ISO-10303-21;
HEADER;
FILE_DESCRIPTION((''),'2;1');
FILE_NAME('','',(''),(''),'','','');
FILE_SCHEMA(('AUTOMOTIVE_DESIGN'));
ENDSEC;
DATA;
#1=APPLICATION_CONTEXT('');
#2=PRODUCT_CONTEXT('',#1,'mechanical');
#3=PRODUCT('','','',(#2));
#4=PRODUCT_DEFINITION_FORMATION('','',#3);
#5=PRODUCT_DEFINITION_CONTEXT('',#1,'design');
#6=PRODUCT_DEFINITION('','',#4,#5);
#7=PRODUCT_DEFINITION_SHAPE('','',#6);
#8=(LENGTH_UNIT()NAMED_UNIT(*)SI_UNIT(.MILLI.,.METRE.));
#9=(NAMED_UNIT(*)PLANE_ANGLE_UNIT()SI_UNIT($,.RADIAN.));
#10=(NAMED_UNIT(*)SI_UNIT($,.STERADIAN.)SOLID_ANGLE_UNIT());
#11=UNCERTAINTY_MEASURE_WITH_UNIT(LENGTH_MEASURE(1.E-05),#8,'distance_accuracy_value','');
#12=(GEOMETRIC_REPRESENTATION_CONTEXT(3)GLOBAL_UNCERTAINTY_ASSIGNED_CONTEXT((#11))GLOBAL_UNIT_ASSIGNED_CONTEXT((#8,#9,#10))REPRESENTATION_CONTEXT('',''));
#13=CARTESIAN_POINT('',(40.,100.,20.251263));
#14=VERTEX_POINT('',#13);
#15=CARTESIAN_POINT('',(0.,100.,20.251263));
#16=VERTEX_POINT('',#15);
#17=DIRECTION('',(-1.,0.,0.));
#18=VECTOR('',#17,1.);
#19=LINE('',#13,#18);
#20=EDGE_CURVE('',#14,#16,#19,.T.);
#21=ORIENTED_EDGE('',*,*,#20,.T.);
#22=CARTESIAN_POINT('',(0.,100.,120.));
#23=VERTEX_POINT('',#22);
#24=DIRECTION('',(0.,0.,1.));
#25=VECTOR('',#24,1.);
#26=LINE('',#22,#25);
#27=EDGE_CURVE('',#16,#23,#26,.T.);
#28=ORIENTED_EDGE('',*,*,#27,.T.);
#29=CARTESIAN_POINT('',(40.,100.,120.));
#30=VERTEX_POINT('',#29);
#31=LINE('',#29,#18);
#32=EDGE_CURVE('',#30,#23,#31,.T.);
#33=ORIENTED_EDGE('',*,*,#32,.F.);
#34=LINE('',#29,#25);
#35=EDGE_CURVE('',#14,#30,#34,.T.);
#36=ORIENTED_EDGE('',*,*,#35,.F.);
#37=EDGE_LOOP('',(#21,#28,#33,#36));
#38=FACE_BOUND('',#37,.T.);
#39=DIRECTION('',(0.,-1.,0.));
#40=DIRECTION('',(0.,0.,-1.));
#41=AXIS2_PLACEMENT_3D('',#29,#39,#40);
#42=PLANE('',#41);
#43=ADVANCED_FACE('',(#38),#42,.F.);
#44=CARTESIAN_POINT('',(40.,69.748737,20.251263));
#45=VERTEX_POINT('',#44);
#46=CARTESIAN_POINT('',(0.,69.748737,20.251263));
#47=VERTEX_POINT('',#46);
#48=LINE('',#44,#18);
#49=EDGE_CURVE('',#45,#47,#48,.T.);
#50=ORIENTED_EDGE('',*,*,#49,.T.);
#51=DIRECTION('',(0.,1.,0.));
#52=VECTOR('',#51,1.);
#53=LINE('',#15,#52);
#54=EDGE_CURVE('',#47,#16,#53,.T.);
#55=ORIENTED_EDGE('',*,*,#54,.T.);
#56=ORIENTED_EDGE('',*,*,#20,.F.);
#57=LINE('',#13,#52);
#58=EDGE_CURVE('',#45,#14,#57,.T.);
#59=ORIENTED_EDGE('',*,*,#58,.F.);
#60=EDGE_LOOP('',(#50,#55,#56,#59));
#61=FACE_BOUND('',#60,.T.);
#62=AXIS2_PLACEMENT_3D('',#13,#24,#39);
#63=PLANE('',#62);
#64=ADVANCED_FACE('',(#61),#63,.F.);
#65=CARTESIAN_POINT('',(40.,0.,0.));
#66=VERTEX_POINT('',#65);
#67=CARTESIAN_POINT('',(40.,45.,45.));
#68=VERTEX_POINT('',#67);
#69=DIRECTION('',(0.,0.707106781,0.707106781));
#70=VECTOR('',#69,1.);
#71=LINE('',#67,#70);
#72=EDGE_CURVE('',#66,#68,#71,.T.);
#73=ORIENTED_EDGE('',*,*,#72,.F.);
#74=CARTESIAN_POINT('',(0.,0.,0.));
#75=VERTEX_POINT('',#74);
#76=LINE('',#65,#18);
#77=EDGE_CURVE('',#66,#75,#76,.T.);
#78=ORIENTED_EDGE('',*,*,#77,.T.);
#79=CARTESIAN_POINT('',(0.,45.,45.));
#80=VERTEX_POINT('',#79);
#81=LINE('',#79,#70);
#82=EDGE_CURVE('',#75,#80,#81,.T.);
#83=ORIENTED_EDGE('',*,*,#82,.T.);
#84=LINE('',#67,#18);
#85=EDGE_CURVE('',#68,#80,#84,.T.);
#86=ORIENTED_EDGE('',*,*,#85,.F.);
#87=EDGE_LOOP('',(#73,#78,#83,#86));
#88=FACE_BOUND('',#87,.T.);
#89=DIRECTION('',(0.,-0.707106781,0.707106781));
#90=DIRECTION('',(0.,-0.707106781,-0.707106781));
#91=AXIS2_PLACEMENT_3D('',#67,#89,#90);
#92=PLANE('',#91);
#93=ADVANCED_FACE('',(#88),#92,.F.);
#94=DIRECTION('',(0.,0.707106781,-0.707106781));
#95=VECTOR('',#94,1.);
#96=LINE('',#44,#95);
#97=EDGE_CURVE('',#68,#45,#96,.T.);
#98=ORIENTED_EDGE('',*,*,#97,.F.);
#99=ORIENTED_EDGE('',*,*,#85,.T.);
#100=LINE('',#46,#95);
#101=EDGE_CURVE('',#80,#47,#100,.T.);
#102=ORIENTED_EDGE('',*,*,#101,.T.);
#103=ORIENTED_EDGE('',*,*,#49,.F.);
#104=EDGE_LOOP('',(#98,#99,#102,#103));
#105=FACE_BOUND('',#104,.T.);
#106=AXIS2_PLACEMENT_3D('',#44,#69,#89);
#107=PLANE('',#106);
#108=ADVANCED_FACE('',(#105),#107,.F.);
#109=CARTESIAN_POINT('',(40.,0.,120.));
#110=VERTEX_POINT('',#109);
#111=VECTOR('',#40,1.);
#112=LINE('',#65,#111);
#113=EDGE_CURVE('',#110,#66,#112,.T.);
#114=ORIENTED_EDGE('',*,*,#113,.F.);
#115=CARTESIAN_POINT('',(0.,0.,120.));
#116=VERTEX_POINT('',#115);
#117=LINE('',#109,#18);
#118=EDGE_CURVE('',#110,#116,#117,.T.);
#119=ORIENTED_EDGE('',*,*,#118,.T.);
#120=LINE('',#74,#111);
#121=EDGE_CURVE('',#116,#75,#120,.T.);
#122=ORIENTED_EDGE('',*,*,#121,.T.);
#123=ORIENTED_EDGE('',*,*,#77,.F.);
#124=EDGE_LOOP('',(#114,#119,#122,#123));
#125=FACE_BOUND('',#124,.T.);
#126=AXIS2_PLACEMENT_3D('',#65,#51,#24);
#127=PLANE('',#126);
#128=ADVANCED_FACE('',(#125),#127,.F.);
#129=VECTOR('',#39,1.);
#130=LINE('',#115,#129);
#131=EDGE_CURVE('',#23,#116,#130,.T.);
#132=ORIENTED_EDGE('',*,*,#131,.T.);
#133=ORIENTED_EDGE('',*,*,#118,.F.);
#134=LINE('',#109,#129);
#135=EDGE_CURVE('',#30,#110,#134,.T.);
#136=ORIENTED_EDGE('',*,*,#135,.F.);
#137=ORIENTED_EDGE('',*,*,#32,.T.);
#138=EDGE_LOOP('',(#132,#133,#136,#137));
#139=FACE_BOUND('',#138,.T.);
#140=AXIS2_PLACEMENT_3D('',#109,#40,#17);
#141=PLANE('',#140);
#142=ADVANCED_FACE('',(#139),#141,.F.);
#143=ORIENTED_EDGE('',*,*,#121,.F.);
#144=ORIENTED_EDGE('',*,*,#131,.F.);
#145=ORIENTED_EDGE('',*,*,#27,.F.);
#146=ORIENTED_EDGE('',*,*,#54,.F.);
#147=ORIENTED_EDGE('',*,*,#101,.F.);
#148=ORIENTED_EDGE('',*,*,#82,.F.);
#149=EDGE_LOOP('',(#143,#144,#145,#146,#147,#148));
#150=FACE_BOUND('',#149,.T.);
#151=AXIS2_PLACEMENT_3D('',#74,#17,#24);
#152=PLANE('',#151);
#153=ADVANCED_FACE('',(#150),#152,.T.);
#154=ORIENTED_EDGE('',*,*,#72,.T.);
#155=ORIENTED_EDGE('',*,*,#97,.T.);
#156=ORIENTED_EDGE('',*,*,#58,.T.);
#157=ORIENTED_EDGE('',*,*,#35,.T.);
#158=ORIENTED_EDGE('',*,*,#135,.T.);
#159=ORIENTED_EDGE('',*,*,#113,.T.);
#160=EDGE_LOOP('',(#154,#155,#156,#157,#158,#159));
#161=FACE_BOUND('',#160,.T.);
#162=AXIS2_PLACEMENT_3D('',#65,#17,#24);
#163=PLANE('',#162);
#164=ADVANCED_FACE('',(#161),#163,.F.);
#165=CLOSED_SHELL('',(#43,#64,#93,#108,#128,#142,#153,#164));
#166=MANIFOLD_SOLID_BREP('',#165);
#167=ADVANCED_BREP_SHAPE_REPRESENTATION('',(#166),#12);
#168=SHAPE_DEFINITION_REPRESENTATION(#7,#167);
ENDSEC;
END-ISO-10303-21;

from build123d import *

# Parameters (mm, degrees)
BOSS_EXTRU_1_DEPTH = 40


with BuildPart() as part:
    # Esquisse1 → Boss.-Extru.1 (new body)
    with BuildSketch(Plane(origin=(0, 0, 0), x_dir=(0, 0, -1), z_dir=(1, 0, 0))):
        Polygon((0, 0), (-120, 0), (-120, 100), (-20.251262658, 100), (-20.251262658, 69.748737342), (-45, 45), align=None)
    extrude(amount=BOSS_EXTRU_1_DEPTH)


solid = part.part
